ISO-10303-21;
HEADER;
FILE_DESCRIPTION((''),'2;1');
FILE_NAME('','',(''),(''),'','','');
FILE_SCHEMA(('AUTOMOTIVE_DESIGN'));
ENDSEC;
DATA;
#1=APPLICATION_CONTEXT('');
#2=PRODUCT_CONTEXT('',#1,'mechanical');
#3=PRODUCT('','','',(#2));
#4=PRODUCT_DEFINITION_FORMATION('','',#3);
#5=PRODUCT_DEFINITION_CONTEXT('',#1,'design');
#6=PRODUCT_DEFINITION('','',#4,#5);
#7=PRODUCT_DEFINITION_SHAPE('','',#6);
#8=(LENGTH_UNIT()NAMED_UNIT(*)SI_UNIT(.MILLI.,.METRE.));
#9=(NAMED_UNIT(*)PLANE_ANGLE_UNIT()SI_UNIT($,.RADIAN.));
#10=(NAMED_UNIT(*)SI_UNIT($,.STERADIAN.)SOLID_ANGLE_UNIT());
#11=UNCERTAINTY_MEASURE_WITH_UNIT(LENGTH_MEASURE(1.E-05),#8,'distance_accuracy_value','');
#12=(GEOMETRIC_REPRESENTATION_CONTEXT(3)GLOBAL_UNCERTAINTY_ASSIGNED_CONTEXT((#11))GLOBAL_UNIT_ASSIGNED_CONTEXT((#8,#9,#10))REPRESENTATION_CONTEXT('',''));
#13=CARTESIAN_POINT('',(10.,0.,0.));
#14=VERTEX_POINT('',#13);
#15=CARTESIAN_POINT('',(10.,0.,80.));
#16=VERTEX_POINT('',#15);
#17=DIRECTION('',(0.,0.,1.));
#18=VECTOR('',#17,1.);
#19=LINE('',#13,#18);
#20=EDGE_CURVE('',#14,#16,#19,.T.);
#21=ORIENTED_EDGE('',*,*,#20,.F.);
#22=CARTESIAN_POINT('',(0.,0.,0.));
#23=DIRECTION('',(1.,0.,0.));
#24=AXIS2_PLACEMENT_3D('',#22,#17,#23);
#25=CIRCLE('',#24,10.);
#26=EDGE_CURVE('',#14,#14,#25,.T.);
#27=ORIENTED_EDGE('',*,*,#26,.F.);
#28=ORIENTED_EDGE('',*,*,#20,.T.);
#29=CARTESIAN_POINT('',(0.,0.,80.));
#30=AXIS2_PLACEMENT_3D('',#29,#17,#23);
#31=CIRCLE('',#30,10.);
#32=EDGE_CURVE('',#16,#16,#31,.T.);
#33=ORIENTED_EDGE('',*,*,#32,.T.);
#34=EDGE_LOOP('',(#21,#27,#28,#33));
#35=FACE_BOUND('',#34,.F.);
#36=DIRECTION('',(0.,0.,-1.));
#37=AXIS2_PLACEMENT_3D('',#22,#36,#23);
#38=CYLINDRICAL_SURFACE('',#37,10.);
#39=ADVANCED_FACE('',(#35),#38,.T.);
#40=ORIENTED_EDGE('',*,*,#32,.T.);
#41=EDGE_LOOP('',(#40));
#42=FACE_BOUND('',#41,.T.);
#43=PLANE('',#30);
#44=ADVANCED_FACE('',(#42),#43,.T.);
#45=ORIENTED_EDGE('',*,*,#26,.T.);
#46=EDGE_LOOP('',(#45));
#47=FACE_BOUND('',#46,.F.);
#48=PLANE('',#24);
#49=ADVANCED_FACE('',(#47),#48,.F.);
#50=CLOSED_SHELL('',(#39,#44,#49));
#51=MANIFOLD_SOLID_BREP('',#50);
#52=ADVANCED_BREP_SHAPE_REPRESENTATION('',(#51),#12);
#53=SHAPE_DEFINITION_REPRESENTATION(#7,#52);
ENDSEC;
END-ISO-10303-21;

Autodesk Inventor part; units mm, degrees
ref_plane "YZ Plane" through (0, 0, 0) normal (1, 0, 0) x (0, 1, 0)
ref_plane "XZ Plane" through (0, 0, 0) normal (0, 1, 0) x (-1, 0, 0)
ref_plane "XY Plane" through (0, 0, 0) normal (0, 0, 1) x (1, 0, 0)
sketch "Sketch1" plane through (0, 0, 0) normal (0, 0, 1) x (1, 0, 0)
  circle A0 centre (0, 0) radius 10
  dimension "d0" = 20
extrude "Extrusion1" add sketch "Sketch1" along normal blind 80
properties part number "wheel_axle" material "Steel, Alloy"
